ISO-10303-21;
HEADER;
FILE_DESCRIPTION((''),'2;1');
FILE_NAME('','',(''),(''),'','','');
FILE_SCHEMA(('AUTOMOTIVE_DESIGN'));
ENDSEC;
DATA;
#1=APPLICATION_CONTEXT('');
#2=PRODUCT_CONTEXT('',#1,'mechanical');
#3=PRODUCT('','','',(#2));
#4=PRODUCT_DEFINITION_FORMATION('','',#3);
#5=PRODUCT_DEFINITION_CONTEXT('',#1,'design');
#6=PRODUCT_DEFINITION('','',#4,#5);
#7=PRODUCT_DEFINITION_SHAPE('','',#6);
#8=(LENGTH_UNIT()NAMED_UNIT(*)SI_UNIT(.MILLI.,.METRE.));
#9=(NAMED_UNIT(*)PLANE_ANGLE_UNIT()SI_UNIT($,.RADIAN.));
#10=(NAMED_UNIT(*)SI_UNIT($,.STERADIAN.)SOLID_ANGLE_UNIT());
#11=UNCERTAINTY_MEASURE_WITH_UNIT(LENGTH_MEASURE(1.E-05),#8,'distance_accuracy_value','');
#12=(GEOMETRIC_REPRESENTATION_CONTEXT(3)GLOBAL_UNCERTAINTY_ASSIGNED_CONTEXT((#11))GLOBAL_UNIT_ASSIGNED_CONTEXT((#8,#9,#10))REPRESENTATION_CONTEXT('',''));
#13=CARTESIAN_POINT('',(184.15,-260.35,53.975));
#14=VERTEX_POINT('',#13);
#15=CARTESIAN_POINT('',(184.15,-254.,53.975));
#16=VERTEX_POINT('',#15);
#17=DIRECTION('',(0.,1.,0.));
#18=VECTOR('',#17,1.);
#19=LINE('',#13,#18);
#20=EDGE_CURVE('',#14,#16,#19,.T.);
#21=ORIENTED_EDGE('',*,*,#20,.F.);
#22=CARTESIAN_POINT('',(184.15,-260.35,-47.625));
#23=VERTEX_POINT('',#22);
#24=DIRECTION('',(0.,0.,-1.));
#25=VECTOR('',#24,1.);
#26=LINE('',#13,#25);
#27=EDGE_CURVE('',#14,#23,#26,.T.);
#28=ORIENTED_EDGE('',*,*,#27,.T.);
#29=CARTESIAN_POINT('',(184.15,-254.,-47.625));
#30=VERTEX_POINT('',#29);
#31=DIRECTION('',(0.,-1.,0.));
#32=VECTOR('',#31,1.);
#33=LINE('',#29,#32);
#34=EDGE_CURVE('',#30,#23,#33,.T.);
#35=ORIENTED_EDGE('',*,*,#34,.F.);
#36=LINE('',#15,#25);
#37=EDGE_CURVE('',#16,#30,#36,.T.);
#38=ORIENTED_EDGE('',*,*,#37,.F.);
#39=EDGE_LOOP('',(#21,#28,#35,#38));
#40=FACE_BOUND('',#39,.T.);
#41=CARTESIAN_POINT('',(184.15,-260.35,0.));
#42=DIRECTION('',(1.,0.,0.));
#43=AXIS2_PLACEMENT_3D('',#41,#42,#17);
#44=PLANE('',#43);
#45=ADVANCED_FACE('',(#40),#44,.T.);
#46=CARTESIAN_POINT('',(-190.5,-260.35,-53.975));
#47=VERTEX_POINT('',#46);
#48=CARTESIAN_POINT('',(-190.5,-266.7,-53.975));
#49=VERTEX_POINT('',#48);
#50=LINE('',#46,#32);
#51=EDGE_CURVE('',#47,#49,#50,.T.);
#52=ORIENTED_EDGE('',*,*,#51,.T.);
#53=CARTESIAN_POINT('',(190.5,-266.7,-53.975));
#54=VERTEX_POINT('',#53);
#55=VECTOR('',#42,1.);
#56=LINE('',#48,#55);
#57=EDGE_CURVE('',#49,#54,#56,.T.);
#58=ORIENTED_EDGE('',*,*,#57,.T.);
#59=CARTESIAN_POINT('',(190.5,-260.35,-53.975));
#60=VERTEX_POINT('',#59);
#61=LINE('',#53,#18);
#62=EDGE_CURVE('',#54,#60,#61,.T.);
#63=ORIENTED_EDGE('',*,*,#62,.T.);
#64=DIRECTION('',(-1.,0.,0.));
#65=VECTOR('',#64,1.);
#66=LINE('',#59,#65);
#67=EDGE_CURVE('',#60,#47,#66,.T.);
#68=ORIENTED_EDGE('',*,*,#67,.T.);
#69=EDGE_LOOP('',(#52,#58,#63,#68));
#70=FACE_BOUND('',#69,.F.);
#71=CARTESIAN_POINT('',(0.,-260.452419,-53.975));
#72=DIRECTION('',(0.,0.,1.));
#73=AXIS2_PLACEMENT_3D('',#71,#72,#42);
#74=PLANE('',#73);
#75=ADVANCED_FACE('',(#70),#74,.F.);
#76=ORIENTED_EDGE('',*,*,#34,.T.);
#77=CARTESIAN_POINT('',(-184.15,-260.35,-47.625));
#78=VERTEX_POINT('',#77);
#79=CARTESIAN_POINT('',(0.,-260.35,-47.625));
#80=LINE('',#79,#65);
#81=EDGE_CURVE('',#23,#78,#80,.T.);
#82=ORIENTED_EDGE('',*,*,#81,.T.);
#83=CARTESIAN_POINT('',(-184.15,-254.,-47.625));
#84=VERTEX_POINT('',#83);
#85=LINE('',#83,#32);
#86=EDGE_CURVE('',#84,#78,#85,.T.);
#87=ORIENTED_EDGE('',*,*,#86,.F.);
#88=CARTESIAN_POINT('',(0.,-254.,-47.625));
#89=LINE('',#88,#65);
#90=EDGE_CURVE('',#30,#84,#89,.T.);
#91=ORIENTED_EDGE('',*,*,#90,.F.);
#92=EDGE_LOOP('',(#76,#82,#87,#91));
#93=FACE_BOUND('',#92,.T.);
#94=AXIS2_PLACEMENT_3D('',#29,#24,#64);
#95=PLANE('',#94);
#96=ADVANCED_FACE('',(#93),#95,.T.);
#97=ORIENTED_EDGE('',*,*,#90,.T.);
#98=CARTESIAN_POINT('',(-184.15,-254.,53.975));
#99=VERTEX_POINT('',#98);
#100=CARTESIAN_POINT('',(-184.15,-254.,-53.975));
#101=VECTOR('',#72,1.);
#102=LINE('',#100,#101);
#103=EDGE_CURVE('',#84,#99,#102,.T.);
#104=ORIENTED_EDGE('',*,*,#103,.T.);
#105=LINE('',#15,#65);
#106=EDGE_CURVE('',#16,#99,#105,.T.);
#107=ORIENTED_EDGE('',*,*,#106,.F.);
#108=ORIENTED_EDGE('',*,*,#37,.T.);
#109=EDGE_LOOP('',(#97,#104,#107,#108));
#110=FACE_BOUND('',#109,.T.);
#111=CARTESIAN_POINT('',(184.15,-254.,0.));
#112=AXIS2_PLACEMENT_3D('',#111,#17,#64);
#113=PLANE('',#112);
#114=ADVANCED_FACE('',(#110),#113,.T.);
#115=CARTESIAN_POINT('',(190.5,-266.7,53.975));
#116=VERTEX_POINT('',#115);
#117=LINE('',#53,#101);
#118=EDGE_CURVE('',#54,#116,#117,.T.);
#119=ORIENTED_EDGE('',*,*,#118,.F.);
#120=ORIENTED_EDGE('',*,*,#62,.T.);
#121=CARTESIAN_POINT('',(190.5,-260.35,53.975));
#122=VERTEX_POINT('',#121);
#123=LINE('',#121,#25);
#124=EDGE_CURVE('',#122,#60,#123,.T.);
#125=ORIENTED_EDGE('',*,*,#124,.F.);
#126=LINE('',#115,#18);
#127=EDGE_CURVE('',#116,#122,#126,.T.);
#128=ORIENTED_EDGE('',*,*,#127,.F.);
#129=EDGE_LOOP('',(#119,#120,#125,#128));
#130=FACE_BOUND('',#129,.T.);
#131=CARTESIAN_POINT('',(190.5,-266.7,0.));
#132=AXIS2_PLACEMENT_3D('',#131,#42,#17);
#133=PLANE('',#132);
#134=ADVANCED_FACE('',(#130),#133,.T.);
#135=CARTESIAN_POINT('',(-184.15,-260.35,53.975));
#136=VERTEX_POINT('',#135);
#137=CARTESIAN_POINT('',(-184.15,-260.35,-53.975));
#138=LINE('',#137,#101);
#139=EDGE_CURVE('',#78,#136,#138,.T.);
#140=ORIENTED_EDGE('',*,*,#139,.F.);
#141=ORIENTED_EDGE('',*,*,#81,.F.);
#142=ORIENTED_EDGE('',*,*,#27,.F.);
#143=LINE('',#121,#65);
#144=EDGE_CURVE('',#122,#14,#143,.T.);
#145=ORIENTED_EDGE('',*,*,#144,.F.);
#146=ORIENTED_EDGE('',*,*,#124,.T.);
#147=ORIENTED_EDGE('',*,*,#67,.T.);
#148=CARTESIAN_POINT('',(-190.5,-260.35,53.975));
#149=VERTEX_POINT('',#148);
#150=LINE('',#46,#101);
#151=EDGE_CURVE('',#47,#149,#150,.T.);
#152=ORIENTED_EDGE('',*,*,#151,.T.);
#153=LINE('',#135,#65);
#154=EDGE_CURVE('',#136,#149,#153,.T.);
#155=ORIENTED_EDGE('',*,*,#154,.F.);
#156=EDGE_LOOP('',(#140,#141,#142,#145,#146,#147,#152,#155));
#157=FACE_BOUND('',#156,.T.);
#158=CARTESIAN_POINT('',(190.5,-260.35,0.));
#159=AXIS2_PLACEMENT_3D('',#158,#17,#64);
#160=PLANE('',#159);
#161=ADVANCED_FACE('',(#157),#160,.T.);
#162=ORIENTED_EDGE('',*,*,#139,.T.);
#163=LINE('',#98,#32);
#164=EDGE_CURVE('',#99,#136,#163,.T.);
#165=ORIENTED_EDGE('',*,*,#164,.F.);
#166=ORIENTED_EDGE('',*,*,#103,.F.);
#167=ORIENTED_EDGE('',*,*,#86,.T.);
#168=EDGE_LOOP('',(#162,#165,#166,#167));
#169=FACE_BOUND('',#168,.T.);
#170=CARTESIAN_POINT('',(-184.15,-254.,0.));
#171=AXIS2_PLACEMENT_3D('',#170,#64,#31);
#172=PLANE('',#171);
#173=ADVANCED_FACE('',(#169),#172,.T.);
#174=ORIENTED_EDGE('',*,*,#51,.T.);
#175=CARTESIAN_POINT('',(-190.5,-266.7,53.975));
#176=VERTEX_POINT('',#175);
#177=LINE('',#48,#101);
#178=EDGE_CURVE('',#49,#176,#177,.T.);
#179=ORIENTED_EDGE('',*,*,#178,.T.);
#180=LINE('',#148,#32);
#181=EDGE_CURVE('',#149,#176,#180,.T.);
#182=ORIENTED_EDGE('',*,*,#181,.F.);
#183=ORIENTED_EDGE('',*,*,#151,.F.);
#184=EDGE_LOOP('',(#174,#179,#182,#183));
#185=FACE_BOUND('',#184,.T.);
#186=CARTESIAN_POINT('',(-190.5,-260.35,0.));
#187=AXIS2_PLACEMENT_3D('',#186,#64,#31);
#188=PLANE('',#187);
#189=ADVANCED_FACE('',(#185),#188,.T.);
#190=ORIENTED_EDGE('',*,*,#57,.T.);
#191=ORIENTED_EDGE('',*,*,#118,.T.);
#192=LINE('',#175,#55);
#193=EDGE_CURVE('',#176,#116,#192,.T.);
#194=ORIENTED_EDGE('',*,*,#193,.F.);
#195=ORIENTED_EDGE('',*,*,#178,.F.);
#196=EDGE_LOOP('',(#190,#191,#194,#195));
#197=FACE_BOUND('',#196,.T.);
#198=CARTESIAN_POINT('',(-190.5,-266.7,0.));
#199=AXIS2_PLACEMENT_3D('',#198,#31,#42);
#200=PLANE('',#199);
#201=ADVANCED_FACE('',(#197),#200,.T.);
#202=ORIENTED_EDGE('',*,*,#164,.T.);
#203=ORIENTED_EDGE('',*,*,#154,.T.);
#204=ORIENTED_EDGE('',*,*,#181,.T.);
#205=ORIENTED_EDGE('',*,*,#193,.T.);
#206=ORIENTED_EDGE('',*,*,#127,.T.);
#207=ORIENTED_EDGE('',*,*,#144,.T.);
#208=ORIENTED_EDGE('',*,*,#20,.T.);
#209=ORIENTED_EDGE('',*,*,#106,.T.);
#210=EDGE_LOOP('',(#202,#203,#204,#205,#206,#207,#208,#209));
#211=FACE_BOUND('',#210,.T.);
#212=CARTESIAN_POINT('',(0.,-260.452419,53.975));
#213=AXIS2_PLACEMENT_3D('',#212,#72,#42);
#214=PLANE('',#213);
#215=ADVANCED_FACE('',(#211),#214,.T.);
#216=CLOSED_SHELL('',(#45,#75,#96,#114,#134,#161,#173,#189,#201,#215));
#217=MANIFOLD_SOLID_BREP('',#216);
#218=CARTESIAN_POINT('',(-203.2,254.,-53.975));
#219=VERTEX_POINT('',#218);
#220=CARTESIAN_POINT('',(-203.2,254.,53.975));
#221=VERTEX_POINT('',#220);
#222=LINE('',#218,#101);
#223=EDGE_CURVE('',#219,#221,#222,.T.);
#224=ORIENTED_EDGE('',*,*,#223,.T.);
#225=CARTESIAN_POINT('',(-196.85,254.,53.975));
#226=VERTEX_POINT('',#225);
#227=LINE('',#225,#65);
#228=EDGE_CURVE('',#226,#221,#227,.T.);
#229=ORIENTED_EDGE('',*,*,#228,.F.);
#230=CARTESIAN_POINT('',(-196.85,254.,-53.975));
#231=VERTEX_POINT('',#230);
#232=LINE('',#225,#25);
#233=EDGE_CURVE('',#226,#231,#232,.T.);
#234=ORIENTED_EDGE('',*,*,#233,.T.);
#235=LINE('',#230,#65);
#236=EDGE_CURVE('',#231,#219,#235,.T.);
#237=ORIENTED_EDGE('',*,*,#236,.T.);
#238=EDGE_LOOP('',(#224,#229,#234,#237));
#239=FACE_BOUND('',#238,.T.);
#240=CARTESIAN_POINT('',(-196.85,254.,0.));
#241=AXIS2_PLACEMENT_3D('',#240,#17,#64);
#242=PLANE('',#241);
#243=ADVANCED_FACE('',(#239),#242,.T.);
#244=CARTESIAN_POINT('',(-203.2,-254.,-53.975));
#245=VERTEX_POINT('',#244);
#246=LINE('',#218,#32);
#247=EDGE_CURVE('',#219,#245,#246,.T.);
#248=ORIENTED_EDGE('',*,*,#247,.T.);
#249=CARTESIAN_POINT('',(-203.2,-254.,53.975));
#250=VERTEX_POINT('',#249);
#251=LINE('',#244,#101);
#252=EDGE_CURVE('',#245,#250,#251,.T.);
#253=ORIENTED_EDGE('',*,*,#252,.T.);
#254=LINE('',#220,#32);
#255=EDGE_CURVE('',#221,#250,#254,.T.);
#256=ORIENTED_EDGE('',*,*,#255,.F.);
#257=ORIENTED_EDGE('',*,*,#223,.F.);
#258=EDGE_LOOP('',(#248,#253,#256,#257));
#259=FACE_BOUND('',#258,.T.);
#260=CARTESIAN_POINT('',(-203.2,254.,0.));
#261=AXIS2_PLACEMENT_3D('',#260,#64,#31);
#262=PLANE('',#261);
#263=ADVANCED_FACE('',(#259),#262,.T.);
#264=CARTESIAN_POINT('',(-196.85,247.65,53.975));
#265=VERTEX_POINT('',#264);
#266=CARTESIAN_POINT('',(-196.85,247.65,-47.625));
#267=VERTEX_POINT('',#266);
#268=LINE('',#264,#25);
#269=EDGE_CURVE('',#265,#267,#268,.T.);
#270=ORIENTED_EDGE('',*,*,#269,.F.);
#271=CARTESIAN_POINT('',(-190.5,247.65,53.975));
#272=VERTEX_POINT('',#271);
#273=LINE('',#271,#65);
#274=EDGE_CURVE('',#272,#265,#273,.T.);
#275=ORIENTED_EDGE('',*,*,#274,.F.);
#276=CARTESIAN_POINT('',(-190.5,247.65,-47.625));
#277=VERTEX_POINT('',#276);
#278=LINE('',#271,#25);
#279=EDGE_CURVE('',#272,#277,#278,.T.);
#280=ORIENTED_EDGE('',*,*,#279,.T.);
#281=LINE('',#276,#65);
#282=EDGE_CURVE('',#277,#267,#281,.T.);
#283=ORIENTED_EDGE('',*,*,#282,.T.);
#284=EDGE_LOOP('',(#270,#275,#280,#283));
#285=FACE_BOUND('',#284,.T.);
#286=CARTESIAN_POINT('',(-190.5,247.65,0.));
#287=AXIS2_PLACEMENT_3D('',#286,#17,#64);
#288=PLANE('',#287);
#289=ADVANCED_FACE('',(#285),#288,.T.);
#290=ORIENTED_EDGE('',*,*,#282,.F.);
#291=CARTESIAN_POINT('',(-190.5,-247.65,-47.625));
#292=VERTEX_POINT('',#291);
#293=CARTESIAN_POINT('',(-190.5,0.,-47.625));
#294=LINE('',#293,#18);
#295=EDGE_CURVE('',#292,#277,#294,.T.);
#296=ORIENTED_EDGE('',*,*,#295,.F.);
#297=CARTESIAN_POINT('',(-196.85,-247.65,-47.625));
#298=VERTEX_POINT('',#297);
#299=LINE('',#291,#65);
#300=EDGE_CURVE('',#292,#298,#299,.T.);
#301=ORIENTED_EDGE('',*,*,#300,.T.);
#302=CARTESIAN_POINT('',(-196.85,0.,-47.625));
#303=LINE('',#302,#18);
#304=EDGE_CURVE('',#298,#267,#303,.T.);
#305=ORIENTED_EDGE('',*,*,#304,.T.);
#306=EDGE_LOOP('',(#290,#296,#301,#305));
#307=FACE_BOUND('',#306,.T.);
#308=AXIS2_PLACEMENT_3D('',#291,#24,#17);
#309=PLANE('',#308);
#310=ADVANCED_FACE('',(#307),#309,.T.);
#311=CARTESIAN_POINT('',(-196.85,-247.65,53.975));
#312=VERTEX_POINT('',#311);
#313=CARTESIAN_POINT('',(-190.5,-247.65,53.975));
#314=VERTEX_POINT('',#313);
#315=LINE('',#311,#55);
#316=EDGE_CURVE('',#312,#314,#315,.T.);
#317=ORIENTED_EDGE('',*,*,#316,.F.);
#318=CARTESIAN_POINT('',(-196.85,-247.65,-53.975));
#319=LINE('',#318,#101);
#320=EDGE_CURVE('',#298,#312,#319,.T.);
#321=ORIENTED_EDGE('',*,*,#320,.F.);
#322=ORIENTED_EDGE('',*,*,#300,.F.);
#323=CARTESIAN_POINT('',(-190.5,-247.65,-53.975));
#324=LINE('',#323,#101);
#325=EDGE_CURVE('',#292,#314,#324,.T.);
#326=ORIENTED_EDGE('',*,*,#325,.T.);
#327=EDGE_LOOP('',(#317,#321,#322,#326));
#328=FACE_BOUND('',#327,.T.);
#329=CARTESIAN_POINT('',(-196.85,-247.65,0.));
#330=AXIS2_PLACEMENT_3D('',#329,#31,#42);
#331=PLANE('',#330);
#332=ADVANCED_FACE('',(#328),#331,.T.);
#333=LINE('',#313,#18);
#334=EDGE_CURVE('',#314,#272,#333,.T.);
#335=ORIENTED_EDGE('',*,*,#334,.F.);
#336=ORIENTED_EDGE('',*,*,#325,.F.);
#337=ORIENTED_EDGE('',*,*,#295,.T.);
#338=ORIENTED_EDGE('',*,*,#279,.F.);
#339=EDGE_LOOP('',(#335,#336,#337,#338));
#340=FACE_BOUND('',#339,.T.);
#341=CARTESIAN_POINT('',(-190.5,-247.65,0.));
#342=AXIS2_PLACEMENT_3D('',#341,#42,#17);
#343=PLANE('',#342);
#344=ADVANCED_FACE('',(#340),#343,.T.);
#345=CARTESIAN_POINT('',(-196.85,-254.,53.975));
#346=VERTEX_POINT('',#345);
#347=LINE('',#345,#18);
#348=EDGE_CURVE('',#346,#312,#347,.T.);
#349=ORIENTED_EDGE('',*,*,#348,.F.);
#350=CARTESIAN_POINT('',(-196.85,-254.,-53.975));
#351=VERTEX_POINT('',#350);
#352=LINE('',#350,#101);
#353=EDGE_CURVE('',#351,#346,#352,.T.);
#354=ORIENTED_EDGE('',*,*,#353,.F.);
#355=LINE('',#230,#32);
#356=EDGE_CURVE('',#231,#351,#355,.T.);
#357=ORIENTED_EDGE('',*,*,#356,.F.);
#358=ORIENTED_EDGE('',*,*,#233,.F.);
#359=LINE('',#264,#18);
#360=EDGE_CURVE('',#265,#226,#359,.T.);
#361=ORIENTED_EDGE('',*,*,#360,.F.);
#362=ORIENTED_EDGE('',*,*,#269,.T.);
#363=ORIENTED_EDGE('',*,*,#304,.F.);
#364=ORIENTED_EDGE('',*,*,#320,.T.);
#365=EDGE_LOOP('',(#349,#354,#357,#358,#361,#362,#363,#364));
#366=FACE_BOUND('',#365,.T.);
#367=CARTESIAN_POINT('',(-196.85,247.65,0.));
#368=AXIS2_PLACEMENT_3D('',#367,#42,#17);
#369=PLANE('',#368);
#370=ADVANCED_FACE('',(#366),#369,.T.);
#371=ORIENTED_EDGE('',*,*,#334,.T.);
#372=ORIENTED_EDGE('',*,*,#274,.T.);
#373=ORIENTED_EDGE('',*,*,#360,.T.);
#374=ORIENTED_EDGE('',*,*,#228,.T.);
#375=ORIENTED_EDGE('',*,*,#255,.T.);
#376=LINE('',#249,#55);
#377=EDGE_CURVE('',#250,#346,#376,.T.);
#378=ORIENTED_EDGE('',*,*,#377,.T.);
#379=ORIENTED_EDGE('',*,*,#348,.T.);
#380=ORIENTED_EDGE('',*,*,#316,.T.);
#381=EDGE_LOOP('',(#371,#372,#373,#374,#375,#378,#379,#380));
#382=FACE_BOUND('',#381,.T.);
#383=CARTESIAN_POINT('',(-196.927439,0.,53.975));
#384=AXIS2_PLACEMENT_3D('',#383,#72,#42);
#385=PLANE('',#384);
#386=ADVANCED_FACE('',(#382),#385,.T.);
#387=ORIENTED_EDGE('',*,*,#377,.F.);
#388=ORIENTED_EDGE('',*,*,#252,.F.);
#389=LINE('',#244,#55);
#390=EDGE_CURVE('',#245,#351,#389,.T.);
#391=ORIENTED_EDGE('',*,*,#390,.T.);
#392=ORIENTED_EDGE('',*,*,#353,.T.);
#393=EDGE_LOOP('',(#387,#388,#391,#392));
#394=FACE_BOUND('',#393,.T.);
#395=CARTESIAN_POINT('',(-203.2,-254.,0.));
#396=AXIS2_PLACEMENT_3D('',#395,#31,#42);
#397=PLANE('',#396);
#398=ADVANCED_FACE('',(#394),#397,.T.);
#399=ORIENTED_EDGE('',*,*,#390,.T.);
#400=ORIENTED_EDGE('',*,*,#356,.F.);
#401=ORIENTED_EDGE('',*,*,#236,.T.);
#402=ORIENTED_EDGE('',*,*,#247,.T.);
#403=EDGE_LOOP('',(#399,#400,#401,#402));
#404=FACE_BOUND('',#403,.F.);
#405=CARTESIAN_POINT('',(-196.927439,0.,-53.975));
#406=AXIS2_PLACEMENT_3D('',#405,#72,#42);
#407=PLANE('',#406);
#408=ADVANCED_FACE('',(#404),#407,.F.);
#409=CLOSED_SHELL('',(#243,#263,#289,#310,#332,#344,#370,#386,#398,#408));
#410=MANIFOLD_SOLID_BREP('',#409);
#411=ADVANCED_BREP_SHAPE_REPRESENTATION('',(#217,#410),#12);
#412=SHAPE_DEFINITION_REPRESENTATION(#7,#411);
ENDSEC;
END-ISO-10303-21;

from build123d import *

# Parameters (mm, degrees)
F1_DEPTH = 53.975
F3_DEPTH = 53.975
F4_W     = 495.3
F4_H     = 6.35
F5_DEPTH = 6.35
F6_W     = 368.3
F6_H     = 6.35
F7_DEPTH = 6.35


with BuildPart() as f1:
    # F0 (on Top) → F1 (new body, symmetric)
    with BuildSketch(Plane.XY):
        Polygon((-196.85, 254), (-203.2, 254), (-203.2, -254), (-196.85, -254), (-196.85, -247.65), (-190.5, -247.65), (-190.5, 247.65), (-196.85, 247.65), align=None)
    extrude(amount=F1_DEPTH, both=True)

    # F4 (on face) → F5 (cut, through all)
    with BuildSketch(Plane.YZ.offset(-190.5)):
        with Locations((0, -50.8)):
            Rectangle(F4_W, F4_H)
    extrude(amount=-F5_DEPTH, mode=Mode.SUBTRACT)


with BuildPart() as f3:
    # F2 (on Top) → F3 (new body, symmetric)
    with BuildSketch(Plane.XY):
        Polygon((184.15, -254), (-184.15, -254), (-184.15, -260.35), (-190.5, -260.35), (-190.5, -266.7), (190.5, -266.7), (190.5, -260.35), (184.15, -260.35), align=None)
    extrude(amount=F3_DEPTH, both=True)

    # F6 (on face) → F7 (cut, through all)
    with BuildSketch(Plane(origin=(0, -254, 0), x_dir=(-1, 0, 0), z_dir=(0, 1, 0))):
        with Locations((0, -50.8)):
            Rectangle(F6_W, F6_H)
    extrude(amount=-F7_DEPTH, mode=Mode.SUBTRACT)


solid = Compound([f1.part, f3.part])
